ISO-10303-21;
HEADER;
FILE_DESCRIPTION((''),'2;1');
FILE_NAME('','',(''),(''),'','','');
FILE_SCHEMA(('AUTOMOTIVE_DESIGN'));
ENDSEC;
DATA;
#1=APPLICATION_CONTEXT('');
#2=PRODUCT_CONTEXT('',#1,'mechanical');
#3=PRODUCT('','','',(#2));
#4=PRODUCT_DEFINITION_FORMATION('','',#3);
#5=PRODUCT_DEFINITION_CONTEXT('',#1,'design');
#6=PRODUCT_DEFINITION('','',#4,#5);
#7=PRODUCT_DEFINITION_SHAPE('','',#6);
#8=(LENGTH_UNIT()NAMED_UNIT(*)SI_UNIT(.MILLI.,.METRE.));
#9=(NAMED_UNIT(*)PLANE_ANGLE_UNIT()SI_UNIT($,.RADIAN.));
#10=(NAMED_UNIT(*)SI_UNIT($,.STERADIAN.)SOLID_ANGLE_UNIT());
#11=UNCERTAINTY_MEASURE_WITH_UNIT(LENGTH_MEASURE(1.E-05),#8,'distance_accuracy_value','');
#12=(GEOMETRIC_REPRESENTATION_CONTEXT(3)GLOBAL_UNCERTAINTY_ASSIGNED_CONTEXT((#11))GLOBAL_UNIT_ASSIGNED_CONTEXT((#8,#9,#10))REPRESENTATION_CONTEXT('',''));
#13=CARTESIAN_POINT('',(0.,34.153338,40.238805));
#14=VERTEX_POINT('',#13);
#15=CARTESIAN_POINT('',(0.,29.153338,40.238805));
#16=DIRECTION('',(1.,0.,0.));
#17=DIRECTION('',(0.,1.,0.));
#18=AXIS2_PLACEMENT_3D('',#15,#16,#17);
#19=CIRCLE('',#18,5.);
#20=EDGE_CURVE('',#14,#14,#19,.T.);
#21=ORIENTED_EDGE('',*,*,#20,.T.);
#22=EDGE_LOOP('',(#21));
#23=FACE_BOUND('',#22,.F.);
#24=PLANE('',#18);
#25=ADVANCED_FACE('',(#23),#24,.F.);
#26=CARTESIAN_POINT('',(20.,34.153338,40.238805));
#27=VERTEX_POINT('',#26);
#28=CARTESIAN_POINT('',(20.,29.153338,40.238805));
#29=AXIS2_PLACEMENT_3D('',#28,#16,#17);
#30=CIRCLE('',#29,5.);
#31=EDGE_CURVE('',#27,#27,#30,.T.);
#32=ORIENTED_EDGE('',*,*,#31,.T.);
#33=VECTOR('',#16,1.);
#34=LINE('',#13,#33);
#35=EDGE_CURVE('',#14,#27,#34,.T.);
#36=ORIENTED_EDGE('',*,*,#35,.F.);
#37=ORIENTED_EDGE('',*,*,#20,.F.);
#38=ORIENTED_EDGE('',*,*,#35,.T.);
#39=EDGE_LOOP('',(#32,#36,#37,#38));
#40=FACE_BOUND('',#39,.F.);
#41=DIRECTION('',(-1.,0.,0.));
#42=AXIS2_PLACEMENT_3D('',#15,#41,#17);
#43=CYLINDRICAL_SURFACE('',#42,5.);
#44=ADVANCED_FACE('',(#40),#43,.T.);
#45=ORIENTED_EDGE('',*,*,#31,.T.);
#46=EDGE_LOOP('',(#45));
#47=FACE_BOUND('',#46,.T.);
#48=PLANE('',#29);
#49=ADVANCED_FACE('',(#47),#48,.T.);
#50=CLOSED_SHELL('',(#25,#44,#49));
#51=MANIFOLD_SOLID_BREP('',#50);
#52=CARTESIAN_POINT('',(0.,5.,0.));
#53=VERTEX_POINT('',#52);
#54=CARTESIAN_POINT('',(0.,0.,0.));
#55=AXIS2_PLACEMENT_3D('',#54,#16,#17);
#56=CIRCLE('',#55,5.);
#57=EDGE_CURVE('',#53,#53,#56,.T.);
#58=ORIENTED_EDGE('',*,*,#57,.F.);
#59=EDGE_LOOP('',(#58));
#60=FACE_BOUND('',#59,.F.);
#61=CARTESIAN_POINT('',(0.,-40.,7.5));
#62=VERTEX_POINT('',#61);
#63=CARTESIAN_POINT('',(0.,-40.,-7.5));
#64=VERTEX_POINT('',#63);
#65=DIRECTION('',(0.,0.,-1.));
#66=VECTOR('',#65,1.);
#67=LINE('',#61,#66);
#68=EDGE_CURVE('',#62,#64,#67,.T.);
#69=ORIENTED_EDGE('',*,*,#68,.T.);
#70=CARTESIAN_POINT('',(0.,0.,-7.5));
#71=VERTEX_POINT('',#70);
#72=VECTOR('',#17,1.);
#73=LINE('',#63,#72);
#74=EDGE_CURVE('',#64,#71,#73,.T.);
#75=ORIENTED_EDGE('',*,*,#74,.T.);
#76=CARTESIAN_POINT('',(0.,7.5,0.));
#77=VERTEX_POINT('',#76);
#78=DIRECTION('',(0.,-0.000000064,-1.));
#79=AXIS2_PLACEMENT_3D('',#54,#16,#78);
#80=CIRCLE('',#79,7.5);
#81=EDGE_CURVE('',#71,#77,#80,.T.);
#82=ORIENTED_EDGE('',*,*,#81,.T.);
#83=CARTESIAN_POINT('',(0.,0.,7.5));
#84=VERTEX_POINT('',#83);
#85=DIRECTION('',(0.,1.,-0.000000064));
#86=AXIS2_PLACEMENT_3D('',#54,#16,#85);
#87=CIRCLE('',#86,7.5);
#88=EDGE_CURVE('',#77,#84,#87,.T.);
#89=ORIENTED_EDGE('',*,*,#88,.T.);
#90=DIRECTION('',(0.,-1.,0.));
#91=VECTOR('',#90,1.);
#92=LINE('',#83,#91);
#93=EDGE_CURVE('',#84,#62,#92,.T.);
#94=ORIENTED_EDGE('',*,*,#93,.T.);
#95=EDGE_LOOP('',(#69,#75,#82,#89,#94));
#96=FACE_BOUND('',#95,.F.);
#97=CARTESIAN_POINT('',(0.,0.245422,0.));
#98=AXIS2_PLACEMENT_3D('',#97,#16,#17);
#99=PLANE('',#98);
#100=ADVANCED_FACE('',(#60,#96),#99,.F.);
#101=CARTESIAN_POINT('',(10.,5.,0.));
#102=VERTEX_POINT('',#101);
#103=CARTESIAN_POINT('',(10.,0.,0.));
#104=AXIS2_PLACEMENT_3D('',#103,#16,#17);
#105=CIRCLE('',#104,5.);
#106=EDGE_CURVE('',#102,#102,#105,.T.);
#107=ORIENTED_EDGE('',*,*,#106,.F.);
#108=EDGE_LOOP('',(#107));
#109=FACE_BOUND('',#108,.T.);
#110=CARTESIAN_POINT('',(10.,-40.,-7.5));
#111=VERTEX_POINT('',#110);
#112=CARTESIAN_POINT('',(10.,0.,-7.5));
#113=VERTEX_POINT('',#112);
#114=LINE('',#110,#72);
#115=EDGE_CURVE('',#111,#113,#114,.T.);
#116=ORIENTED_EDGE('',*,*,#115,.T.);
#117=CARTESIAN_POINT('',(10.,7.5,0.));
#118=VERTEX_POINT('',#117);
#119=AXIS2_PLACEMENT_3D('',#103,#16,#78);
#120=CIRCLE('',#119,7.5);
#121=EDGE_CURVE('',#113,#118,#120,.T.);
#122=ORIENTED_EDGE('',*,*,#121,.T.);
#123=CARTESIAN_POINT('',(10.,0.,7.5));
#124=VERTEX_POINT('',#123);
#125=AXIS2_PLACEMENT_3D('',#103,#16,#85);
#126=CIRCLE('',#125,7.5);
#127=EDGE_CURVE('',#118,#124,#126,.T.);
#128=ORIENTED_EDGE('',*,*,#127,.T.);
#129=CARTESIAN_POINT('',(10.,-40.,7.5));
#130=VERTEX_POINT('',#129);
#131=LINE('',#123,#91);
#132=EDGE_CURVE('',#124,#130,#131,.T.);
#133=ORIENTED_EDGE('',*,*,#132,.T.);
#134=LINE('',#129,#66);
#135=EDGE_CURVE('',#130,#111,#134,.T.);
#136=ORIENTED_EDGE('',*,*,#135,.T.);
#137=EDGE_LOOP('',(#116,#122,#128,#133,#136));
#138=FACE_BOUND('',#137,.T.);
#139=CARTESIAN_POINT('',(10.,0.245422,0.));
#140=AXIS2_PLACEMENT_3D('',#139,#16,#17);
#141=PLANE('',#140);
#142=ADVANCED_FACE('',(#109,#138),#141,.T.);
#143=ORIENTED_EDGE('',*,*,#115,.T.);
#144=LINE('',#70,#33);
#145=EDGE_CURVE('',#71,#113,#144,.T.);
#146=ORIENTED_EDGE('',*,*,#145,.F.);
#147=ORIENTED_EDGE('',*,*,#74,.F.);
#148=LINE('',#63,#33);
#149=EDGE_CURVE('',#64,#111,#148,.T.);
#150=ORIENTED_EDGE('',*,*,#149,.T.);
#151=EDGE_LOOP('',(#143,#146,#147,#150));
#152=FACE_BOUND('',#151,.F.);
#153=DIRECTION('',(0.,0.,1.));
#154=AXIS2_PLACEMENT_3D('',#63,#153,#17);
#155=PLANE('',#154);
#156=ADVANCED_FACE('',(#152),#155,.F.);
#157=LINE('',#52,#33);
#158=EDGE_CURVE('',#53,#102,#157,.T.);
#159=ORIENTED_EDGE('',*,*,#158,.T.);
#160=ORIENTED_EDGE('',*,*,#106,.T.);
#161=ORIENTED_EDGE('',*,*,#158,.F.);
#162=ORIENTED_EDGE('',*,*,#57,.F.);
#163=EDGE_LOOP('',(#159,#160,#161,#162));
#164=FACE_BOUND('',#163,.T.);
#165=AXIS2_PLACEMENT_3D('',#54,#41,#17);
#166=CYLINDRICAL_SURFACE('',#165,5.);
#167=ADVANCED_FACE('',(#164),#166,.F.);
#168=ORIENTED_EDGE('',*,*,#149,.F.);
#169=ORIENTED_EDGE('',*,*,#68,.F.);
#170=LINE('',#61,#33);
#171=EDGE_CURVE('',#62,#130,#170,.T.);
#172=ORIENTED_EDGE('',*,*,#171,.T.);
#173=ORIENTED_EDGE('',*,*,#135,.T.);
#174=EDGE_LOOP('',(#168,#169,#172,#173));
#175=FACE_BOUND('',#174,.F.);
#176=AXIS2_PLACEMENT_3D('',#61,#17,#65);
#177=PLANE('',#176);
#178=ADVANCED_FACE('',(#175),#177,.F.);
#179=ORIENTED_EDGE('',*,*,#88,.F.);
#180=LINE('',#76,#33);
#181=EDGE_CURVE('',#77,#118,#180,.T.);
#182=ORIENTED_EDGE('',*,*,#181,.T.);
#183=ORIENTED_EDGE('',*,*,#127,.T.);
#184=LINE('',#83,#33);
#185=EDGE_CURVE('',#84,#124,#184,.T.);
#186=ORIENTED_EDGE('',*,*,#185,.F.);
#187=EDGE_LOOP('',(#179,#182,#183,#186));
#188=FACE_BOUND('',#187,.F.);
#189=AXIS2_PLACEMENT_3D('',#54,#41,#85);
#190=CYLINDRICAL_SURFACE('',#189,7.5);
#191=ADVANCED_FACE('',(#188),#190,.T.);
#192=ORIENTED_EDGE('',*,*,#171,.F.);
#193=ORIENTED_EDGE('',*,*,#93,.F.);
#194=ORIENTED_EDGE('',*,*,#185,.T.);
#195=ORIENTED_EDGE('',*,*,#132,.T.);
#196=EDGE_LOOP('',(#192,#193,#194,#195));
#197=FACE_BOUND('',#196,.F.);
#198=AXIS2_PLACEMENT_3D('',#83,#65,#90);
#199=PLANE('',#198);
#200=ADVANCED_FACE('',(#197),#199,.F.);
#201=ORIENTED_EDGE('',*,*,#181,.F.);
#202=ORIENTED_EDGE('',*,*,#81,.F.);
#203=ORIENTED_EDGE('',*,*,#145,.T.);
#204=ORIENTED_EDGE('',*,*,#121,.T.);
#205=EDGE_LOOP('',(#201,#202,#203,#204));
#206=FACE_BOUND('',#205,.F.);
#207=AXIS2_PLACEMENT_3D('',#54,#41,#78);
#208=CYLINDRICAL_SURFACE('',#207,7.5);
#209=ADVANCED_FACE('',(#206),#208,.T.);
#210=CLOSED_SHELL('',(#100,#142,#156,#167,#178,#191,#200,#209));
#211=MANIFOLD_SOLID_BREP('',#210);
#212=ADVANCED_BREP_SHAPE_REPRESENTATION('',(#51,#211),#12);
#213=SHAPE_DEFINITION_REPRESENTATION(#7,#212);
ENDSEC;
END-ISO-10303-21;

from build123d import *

# Parameters (mm, degrees)
F0_R     = 5
F1_DEPTH = 10
F2_R     = 5
F3_DEPTH = 20


with BuildPart() as f1:
    # F0 (on Right) → F1 (new body)
    with BuildSketch(Plane.YZ):
        with BuildLine():
            ThreePointArc((0, -7.5), (5.303301, -5.303301), (7.5, 0))
            ThreePointArc((7.5, 0), (5.303301, 5.303301), (0, 7.5))
            ThreePointArc((0, 7.5), (-7.5, 0), (0, -7.5))
        make_face()
        Circle(F0_R, mode=Mode.SUBTRACT)
        with BuildLine():
            ThreePointArc((0, -7.5), (-7.5, 0), (0, 7.5))
            Line((0, 7.5), (-40, 7.5))
            Line((-40, 7.5), (-40, -7.5))
            Line((-40, -7.5), (0, -7.5))
        make_face()
    extrude(amount=F1_DEPTH)


with BuildPart() as f3:
    # F2 (on Right) → F3 (new body)
    with BuildSketch(Plane.YZ):
        with Locations((29.153338, 40.238805)):
            Circle(F2_R)
    extrude(amount=F3_DEPTH)


solid = Compound([f1.part, f3.part])
